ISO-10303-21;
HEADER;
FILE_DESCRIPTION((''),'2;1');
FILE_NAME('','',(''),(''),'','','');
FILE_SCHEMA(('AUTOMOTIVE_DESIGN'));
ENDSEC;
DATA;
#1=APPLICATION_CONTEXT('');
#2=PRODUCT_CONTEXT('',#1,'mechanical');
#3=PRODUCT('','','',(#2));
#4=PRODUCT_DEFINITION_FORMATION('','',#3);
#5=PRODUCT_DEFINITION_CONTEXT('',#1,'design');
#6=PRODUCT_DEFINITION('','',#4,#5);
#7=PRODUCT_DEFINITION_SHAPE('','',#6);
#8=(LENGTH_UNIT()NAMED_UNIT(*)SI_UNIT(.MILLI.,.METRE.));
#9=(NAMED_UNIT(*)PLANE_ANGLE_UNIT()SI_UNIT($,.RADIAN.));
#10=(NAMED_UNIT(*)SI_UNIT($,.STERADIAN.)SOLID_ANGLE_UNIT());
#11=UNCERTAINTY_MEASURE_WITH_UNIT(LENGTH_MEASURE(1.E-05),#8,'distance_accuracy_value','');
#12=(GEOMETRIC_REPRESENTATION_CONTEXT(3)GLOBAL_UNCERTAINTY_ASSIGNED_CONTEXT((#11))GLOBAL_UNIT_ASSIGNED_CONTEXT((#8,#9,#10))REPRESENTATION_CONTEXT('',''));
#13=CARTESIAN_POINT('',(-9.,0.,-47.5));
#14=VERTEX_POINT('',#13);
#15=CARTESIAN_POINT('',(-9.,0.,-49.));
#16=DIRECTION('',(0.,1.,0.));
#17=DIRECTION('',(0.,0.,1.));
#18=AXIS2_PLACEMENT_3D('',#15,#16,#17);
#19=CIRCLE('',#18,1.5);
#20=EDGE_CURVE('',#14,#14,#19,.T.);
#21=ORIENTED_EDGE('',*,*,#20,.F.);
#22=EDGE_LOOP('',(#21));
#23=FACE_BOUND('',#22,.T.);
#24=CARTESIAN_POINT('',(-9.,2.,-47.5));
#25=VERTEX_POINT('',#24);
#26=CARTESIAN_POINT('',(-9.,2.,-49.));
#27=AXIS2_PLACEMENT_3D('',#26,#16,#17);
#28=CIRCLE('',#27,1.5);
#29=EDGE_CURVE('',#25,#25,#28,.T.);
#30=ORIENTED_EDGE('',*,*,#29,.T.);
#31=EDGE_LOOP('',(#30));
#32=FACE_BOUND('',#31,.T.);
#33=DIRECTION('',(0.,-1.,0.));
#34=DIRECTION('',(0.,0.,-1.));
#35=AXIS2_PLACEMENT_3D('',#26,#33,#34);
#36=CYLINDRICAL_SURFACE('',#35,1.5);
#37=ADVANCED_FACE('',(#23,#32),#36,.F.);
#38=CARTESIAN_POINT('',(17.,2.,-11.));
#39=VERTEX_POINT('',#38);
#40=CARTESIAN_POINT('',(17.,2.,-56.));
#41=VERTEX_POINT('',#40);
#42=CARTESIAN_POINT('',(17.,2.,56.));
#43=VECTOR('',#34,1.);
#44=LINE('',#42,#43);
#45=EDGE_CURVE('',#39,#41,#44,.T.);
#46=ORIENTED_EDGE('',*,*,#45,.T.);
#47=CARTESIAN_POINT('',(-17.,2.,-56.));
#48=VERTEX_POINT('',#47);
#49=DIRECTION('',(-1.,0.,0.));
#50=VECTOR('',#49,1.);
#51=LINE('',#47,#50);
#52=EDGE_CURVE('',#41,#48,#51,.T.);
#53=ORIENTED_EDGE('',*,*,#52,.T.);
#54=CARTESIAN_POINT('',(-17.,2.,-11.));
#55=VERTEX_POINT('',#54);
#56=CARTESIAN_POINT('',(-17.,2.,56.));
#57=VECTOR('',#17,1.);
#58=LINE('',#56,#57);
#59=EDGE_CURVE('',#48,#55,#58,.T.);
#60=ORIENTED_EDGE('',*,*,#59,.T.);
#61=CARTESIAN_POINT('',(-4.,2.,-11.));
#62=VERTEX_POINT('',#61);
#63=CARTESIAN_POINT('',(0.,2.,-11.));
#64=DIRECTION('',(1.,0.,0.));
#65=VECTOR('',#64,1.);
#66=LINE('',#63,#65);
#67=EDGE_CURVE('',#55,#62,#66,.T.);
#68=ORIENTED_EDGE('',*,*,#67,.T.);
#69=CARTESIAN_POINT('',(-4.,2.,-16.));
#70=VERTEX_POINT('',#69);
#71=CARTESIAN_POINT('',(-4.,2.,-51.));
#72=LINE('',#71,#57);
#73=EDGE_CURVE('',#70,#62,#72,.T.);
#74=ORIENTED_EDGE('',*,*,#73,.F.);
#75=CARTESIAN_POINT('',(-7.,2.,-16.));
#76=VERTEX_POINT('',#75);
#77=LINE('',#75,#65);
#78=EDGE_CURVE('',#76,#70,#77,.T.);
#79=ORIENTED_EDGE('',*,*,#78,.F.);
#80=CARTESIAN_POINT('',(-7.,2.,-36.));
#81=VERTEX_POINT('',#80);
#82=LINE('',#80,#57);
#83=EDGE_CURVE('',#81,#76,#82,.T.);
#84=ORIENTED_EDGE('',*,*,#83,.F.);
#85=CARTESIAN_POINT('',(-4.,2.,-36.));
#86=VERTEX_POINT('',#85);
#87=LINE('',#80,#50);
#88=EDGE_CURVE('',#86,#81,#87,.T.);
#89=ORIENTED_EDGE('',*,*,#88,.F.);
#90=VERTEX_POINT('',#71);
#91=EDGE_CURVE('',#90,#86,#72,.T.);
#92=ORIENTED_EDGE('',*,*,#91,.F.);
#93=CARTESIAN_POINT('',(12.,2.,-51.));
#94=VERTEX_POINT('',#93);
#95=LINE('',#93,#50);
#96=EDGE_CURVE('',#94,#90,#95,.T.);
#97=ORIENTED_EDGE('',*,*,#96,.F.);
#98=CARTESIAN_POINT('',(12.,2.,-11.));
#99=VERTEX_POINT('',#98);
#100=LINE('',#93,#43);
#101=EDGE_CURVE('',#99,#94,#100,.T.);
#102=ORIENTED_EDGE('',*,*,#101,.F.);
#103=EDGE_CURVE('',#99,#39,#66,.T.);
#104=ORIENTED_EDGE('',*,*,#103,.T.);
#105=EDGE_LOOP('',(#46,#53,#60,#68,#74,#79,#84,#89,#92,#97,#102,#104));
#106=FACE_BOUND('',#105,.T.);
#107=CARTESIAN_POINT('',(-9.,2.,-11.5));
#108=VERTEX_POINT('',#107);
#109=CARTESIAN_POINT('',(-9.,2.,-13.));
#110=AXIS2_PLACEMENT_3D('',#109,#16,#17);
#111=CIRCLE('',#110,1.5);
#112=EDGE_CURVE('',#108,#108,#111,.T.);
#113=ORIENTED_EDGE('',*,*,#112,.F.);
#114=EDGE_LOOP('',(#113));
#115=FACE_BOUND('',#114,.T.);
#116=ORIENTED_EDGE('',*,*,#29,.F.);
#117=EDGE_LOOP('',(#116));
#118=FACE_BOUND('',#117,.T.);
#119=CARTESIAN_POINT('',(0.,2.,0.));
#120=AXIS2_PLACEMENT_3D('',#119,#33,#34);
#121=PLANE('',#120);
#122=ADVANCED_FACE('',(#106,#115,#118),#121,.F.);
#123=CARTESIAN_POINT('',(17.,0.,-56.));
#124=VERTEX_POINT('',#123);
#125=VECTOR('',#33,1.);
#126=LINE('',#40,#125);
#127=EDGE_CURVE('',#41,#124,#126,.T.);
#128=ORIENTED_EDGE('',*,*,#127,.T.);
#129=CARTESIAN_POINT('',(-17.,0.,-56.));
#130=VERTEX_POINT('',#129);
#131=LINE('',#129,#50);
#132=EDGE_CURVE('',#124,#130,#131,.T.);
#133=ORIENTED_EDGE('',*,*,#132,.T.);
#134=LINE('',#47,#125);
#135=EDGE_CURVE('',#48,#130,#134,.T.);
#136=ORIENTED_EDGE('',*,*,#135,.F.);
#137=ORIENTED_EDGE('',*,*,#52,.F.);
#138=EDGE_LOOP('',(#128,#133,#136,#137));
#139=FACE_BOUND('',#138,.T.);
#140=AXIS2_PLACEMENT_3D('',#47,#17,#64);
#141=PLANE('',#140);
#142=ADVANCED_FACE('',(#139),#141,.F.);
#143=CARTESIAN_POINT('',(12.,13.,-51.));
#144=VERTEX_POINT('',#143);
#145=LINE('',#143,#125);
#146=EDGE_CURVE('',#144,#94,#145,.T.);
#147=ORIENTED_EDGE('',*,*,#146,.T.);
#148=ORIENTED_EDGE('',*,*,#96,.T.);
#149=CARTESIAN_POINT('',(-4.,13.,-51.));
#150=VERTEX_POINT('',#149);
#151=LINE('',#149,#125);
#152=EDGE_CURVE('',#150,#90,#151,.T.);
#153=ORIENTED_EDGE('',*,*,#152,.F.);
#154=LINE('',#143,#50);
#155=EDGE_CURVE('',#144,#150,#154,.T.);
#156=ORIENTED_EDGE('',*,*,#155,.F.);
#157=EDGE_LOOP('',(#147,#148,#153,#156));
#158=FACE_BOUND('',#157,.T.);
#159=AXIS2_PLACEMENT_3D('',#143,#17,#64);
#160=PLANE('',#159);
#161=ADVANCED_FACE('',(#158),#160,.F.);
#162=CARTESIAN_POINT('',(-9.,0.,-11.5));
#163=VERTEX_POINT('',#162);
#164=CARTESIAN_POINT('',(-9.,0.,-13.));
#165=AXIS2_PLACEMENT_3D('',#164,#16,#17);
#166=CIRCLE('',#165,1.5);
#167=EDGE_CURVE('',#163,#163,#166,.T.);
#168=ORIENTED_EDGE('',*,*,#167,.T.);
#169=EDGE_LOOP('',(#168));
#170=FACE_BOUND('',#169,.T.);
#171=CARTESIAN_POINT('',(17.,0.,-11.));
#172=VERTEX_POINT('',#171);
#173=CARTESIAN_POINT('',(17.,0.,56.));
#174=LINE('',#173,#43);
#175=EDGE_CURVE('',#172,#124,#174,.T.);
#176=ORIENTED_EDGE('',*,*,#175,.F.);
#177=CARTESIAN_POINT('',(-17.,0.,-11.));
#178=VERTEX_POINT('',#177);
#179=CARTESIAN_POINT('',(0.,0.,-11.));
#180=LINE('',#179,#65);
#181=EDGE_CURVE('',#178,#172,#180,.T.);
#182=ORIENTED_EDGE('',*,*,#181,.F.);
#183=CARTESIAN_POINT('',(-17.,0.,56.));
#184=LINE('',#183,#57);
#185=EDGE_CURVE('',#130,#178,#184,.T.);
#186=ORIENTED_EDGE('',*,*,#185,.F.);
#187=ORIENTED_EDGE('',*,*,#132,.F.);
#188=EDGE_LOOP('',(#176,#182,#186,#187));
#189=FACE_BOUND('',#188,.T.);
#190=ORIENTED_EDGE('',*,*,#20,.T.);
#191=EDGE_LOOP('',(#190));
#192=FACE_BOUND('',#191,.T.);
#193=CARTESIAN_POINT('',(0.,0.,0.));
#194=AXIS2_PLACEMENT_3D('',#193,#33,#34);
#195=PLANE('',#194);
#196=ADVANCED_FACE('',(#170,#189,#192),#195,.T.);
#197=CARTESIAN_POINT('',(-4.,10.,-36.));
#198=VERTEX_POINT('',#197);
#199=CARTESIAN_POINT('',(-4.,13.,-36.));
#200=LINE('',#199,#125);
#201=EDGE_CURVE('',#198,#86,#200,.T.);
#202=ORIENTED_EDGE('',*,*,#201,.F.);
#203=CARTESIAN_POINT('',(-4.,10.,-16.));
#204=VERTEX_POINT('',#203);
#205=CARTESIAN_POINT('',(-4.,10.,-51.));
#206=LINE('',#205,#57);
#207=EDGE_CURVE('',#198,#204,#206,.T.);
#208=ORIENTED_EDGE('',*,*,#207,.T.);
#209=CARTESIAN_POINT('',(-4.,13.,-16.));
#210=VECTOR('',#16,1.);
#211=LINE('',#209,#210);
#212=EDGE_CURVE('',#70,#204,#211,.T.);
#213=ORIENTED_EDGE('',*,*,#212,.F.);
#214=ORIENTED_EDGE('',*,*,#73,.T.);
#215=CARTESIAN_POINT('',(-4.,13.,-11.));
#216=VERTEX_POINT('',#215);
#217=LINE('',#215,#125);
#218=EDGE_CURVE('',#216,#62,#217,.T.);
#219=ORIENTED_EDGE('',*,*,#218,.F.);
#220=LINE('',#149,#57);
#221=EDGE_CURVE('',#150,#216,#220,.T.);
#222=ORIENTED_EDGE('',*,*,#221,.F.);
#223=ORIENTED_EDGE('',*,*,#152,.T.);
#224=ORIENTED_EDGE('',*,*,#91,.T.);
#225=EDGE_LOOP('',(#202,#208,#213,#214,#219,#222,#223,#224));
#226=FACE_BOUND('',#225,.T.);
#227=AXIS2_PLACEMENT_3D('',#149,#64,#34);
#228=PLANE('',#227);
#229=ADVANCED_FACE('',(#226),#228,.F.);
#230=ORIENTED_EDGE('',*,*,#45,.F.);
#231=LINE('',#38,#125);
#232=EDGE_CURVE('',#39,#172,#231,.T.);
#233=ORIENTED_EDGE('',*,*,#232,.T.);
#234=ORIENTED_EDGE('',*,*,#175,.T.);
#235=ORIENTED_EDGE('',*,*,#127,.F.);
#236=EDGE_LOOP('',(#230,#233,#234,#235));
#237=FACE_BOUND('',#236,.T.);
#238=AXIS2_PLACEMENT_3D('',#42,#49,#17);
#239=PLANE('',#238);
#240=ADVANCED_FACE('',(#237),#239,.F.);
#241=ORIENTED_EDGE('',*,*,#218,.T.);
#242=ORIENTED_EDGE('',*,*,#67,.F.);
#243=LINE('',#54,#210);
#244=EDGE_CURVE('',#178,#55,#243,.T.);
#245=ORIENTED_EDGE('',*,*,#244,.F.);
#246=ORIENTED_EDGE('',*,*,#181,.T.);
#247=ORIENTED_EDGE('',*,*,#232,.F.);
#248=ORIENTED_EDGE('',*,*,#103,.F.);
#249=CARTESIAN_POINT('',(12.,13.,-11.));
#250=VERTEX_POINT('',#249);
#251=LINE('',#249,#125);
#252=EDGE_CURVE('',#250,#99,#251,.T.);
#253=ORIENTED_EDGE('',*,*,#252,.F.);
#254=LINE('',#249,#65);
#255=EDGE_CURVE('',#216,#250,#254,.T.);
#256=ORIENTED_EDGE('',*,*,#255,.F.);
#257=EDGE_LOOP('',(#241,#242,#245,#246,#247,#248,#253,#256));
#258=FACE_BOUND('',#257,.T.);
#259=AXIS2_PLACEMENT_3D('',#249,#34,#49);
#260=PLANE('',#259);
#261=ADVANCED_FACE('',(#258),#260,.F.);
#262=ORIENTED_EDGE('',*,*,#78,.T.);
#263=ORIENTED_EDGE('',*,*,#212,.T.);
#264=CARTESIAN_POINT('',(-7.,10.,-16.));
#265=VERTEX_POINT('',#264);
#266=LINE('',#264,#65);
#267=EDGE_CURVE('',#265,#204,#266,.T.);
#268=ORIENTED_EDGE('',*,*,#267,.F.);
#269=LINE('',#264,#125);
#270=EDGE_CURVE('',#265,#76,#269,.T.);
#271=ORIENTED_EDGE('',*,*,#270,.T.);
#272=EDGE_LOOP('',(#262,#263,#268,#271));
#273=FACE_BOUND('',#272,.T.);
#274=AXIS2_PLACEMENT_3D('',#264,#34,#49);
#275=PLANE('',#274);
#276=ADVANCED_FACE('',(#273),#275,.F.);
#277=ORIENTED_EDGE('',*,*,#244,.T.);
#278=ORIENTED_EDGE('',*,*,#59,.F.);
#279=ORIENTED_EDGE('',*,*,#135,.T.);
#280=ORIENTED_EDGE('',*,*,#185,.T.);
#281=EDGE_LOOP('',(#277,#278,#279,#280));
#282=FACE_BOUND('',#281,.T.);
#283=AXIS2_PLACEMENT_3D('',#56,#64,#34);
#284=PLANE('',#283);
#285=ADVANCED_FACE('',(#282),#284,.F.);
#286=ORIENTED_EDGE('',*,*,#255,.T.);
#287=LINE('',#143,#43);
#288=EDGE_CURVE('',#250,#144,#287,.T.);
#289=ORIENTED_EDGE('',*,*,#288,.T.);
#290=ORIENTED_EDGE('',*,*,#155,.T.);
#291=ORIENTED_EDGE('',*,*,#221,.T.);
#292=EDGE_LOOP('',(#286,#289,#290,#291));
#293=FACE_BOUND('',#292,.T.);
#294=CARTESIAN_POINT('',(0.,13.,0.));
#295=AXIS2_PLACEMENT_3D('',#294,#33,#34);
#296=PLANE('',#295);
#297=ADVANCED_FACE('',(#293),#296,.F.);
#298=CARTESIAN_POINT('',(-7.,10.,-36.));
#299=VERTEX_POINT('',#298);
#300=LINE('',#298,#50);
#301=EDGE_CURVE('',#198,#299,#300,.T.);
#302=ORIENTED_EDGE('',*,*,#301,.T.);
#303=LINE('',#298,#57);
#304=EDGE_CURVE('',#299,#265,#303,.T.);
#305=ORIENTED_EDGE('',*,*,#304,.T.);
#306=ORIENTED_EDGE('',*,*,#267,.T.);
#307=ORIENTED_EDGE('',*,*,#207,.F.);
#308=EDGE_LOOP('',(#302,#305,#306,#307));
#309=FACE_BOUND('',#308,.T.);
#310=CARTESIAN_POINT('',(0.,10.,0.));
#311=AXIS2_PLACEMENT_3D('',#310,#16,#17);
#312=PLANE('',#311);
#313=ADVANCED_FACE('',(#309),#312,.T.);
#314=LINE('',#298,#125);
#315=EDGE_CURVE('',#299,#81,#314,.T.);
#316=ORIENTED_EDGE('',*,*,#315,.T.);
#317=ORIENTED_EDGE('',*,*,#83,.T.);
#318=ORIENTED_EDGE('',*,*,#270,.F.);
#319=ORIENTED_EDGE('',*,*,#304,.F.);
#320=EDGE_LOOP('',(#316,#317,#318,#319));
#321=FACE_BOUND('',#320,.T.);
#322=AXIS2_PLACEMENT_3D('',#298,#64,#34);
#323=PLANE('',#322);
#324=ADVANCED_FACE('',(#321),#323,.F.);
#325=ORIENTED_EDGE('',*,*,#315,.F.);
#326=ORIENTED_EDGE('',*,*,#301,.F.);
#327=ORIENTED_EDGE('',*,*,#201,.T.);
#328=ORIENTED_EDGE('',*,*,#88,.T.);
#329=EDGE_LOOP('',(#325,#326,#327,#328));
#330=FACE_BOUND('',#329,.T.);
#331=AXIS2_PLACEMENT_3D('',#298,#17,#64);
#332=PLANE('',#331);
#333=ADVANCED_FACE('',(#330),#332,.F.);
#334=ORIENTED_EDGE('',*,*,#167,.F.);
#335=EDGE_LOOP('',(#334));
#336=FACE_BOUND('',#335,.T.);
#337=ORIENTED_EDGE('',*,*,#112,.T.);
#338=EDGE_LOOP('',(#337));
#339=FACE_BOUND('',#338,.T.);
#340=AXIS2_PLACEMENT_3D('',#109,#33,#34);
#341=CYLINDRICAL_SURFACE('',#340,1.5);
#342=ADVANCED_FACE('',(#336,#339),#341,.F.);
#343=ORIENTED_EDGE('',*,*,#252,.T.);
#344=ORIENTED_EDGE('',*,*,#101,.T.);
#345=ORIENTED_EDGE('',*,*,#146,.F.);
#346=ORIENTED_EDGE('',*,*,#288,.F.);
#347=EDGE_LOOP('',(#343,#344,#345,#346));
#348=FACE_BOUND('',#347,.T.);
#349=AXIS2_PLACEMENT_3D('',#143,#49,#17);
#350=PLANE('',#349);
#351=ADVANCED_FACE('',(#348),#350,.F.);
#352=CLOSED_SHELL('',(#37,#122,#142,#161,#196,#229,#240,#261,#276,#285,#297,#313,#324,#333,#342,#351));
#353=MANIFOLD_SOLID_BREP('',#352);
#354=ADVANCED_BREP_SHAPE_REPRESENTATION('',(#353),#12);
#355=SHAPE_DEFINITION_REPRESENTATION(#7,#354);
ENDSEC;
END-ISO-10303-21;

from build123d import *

# Parameters (mm, degrees)
SKETCH1_W              = 34
SKETCH1_H              = 112
SKETCH1_R              = 1.5
BOARD_DEPTH            = 2
SKETCH2_W              = 16
SKETCH2_H              = 40
SKETCH2_W_2            = 6
SKETCH2_H_2            = 10
F_7SEG_DEPTH           = 11
SKETCH3_W              = 10
SKETCH3_H              = 20
SKETCH3_H_2            = 10
IC_DEPTH               = 8
SKETCH5_W              = 9
SKETCH5_H              = 17
BIENTROA_DEPTH         = 23
SKETCH6_R              = 3.4
BIENTROB_DEPTH         = 15
SKETCH7_W              = 10
SKETCH7_H              = 5
IRF540_DEPTH           = 26
SKETCH8_W              = 17
SKETCH8_H              = 10
DOMINO_DEPTH           = 10
SKETCH9_W              = 22
SKETCH9_H              = 30
EXTRUDE_7805_DEPTH     = 30
SPLIT2_SURFACE_1_BACK  = 127.76
SPLIT2_SURFACE_1_DEPTH = 255.52
SPLIT2_SURFACE_2_BACK  = 127.76
SPLIT2_SURFACE_2_DEPTH = 255.52


with BuildPart() as part:
    # Sketch1 → Board (new body)
    with BuildSketch(Plane(origin=(0, 0, 0), x_dir=(1, 0, 0), z_dir=(0, 1, 0))):
        Rectangle(SKETCH1_W, SKETCH1_H)
        with Locations(Location((13.6, -52.6, 0), (0, 0, 270))):
            Circle(SKETCH1_R, mode=Mode.SUBTRACT)
        with Locations(Location((-9, 49, 0), (0, 0, 270))):
            Circle(SKETCH1_R, mode=Mode.SUBTRACT)
        with Locations(Location((-9, 13, 0), (0, 0, 270))):
            Circle(SKETCH1_R, mode=Mode.SUBTRACT)
    extrude(amount=BOARD_DEPTH)

    # Sketch2 → 7SEG (add)
    with BuildSketch(Plane(origin=(0, 2, 0), x_dir=(1, 0, 0), z_dir=(0, 1, 0))):
        with Locations((4, 31)):
            Rectangle(SKETCH2_W, SKETCH2_H)
        with Locations((8, 5)):
            Rectangle(SKETCH2_W_2, SKETCH2_H_2)
    extrude(amount=F_7SEG_DEPTH)

    # Sketch3 → IC (add)
    with BuildSketch(Plane(origin=(0, 2, 0), x_dir=(1, 0, 0), z_dir=(0, 1, 0))):
        with Locations((-2, 26)):
            Rectangle(SKETCH3_W, SKETCH3_H)
        with Locations((4, 5)):
            Rectangle(SKETCH3_W, SKETCH3_H_2)
        with Locations((4, -17)):
            Rectangle(SKETCH3_W, SKETCH3_H_2)
    extrude(amount=IC_DEPTH)

    # Sketch5 → BienTroA (add)
    with BuildSketch(Plane(origin=(0, 2, 0), x_dir=(1, 0, 0), z_dir=(0, 1, 0))):
        with Locations((6.5, -14.5)):
            Rectangle(SKETCH5_W, SKETCH5_H)
    extrude(amount=BIENTROA_DEPTH)

    # Sketch6 → BienTroB (add)
    with BuildSketch(Plane(origin=(11, 0, 0), x_dir=(0, 0, -1), z_dir=(1, 0, 0))):
        with Locations(Location((-14.5, 16.6, 0), (0, 0, 180))):
            Circle(SKETCH6_R)
    extrude(amount=BIENTROB_DEPTH)

    # Sketch7 → IRF540 (add)
    with BuildSketch(Plane(origin=(0, 2, 0), x_dir=(1, 0, 0), z_dir=(0, 1, 0))):
        with Locations((5, -47.5)):
            Rectangle(SKETCH7_W, SKETCH7_H)
    extrude(amount=IRF540_DEPTH)

    # Sketch8 → Domino (add)
    with BuildSketch(Plane(origin=(0, 2, 0), x_dir=(1, 0, 0), z_dir=(0, 1, 0))):
        with Locations((-2.5, -50)):
            Rectangle(SKETCH8_W, SKETCH8_H)
    extrude(amount=DOMINO_DEPTH)

    # Sketch9 → 7805 (add)
    with BuildSketch(Plane(origin=(0, 2, 0), x_dir=(1, 0, 0), z_dir=(0, 1, 0))):
        with Locations((-13, -26)):
            Rectangle(SKETCH9_W, SKETCH9_H)
    extrude(amount=EXTRUDE_7805_DEPTH)


with BuildPart() as body_2:
    # Split2: the piece behind the surface
    add(part.part)
    # Split2 surface: a surface, the sketch's curves swept straight by 255.52 mm
    with BuildLine(Plane(origin=(0, 2, 0), x_dir=(1, 0, 0), z_dir=(0, 1, 0)).offset(-SPLIT2_SURFACE_1_BACK), mode=Mode.PRIVATE) as split2_surface_1_path:
        Line((17, 11), (-17, 11))
    split2_surface_1 = Shell.extrude(split2_surface_1_path.wire(), (0 * SPLIT2_SURFACE_1_DEPTH, 1 * SPLIT2_SURFACE_1_DEPTH, 0 * SPLIT2_SURFACE_1_DEPTH))
    split(bisect_by=split2_surface_1, keep=Keep.BOTTOM)


with BuildPart() as part_1:
    add(part.part)

    # Split2: split by a surface, the side it looks to stays
    # Split2 surface: a surface, the sketch's curves swept straight by 255.52 mm
    with BuildLine(Plane(origin=(0, 2, 0), x_dir=(1, 0, 0), z_dir=(0, 1, 0)).offset(-SPLIT2_SURFACE_2_BACK), mode=Mode.PRIVATE) as split2_surface_2_path:
        Line((17, 11), (-17, 11))
    split2_surface_2 = Shell.extrude(split2_surface_2_path.wire(), (0 * SPLIT2_SURFACE_2_DEPTH, 1 * SPLIT2_SURFACE_2_DEPTH, 0 * SPLIT2_SURFACE_2_DEPTH))
    split(bisect_by=split2_surface_2, keep=Keep.TOP)


solid = body_2.part
